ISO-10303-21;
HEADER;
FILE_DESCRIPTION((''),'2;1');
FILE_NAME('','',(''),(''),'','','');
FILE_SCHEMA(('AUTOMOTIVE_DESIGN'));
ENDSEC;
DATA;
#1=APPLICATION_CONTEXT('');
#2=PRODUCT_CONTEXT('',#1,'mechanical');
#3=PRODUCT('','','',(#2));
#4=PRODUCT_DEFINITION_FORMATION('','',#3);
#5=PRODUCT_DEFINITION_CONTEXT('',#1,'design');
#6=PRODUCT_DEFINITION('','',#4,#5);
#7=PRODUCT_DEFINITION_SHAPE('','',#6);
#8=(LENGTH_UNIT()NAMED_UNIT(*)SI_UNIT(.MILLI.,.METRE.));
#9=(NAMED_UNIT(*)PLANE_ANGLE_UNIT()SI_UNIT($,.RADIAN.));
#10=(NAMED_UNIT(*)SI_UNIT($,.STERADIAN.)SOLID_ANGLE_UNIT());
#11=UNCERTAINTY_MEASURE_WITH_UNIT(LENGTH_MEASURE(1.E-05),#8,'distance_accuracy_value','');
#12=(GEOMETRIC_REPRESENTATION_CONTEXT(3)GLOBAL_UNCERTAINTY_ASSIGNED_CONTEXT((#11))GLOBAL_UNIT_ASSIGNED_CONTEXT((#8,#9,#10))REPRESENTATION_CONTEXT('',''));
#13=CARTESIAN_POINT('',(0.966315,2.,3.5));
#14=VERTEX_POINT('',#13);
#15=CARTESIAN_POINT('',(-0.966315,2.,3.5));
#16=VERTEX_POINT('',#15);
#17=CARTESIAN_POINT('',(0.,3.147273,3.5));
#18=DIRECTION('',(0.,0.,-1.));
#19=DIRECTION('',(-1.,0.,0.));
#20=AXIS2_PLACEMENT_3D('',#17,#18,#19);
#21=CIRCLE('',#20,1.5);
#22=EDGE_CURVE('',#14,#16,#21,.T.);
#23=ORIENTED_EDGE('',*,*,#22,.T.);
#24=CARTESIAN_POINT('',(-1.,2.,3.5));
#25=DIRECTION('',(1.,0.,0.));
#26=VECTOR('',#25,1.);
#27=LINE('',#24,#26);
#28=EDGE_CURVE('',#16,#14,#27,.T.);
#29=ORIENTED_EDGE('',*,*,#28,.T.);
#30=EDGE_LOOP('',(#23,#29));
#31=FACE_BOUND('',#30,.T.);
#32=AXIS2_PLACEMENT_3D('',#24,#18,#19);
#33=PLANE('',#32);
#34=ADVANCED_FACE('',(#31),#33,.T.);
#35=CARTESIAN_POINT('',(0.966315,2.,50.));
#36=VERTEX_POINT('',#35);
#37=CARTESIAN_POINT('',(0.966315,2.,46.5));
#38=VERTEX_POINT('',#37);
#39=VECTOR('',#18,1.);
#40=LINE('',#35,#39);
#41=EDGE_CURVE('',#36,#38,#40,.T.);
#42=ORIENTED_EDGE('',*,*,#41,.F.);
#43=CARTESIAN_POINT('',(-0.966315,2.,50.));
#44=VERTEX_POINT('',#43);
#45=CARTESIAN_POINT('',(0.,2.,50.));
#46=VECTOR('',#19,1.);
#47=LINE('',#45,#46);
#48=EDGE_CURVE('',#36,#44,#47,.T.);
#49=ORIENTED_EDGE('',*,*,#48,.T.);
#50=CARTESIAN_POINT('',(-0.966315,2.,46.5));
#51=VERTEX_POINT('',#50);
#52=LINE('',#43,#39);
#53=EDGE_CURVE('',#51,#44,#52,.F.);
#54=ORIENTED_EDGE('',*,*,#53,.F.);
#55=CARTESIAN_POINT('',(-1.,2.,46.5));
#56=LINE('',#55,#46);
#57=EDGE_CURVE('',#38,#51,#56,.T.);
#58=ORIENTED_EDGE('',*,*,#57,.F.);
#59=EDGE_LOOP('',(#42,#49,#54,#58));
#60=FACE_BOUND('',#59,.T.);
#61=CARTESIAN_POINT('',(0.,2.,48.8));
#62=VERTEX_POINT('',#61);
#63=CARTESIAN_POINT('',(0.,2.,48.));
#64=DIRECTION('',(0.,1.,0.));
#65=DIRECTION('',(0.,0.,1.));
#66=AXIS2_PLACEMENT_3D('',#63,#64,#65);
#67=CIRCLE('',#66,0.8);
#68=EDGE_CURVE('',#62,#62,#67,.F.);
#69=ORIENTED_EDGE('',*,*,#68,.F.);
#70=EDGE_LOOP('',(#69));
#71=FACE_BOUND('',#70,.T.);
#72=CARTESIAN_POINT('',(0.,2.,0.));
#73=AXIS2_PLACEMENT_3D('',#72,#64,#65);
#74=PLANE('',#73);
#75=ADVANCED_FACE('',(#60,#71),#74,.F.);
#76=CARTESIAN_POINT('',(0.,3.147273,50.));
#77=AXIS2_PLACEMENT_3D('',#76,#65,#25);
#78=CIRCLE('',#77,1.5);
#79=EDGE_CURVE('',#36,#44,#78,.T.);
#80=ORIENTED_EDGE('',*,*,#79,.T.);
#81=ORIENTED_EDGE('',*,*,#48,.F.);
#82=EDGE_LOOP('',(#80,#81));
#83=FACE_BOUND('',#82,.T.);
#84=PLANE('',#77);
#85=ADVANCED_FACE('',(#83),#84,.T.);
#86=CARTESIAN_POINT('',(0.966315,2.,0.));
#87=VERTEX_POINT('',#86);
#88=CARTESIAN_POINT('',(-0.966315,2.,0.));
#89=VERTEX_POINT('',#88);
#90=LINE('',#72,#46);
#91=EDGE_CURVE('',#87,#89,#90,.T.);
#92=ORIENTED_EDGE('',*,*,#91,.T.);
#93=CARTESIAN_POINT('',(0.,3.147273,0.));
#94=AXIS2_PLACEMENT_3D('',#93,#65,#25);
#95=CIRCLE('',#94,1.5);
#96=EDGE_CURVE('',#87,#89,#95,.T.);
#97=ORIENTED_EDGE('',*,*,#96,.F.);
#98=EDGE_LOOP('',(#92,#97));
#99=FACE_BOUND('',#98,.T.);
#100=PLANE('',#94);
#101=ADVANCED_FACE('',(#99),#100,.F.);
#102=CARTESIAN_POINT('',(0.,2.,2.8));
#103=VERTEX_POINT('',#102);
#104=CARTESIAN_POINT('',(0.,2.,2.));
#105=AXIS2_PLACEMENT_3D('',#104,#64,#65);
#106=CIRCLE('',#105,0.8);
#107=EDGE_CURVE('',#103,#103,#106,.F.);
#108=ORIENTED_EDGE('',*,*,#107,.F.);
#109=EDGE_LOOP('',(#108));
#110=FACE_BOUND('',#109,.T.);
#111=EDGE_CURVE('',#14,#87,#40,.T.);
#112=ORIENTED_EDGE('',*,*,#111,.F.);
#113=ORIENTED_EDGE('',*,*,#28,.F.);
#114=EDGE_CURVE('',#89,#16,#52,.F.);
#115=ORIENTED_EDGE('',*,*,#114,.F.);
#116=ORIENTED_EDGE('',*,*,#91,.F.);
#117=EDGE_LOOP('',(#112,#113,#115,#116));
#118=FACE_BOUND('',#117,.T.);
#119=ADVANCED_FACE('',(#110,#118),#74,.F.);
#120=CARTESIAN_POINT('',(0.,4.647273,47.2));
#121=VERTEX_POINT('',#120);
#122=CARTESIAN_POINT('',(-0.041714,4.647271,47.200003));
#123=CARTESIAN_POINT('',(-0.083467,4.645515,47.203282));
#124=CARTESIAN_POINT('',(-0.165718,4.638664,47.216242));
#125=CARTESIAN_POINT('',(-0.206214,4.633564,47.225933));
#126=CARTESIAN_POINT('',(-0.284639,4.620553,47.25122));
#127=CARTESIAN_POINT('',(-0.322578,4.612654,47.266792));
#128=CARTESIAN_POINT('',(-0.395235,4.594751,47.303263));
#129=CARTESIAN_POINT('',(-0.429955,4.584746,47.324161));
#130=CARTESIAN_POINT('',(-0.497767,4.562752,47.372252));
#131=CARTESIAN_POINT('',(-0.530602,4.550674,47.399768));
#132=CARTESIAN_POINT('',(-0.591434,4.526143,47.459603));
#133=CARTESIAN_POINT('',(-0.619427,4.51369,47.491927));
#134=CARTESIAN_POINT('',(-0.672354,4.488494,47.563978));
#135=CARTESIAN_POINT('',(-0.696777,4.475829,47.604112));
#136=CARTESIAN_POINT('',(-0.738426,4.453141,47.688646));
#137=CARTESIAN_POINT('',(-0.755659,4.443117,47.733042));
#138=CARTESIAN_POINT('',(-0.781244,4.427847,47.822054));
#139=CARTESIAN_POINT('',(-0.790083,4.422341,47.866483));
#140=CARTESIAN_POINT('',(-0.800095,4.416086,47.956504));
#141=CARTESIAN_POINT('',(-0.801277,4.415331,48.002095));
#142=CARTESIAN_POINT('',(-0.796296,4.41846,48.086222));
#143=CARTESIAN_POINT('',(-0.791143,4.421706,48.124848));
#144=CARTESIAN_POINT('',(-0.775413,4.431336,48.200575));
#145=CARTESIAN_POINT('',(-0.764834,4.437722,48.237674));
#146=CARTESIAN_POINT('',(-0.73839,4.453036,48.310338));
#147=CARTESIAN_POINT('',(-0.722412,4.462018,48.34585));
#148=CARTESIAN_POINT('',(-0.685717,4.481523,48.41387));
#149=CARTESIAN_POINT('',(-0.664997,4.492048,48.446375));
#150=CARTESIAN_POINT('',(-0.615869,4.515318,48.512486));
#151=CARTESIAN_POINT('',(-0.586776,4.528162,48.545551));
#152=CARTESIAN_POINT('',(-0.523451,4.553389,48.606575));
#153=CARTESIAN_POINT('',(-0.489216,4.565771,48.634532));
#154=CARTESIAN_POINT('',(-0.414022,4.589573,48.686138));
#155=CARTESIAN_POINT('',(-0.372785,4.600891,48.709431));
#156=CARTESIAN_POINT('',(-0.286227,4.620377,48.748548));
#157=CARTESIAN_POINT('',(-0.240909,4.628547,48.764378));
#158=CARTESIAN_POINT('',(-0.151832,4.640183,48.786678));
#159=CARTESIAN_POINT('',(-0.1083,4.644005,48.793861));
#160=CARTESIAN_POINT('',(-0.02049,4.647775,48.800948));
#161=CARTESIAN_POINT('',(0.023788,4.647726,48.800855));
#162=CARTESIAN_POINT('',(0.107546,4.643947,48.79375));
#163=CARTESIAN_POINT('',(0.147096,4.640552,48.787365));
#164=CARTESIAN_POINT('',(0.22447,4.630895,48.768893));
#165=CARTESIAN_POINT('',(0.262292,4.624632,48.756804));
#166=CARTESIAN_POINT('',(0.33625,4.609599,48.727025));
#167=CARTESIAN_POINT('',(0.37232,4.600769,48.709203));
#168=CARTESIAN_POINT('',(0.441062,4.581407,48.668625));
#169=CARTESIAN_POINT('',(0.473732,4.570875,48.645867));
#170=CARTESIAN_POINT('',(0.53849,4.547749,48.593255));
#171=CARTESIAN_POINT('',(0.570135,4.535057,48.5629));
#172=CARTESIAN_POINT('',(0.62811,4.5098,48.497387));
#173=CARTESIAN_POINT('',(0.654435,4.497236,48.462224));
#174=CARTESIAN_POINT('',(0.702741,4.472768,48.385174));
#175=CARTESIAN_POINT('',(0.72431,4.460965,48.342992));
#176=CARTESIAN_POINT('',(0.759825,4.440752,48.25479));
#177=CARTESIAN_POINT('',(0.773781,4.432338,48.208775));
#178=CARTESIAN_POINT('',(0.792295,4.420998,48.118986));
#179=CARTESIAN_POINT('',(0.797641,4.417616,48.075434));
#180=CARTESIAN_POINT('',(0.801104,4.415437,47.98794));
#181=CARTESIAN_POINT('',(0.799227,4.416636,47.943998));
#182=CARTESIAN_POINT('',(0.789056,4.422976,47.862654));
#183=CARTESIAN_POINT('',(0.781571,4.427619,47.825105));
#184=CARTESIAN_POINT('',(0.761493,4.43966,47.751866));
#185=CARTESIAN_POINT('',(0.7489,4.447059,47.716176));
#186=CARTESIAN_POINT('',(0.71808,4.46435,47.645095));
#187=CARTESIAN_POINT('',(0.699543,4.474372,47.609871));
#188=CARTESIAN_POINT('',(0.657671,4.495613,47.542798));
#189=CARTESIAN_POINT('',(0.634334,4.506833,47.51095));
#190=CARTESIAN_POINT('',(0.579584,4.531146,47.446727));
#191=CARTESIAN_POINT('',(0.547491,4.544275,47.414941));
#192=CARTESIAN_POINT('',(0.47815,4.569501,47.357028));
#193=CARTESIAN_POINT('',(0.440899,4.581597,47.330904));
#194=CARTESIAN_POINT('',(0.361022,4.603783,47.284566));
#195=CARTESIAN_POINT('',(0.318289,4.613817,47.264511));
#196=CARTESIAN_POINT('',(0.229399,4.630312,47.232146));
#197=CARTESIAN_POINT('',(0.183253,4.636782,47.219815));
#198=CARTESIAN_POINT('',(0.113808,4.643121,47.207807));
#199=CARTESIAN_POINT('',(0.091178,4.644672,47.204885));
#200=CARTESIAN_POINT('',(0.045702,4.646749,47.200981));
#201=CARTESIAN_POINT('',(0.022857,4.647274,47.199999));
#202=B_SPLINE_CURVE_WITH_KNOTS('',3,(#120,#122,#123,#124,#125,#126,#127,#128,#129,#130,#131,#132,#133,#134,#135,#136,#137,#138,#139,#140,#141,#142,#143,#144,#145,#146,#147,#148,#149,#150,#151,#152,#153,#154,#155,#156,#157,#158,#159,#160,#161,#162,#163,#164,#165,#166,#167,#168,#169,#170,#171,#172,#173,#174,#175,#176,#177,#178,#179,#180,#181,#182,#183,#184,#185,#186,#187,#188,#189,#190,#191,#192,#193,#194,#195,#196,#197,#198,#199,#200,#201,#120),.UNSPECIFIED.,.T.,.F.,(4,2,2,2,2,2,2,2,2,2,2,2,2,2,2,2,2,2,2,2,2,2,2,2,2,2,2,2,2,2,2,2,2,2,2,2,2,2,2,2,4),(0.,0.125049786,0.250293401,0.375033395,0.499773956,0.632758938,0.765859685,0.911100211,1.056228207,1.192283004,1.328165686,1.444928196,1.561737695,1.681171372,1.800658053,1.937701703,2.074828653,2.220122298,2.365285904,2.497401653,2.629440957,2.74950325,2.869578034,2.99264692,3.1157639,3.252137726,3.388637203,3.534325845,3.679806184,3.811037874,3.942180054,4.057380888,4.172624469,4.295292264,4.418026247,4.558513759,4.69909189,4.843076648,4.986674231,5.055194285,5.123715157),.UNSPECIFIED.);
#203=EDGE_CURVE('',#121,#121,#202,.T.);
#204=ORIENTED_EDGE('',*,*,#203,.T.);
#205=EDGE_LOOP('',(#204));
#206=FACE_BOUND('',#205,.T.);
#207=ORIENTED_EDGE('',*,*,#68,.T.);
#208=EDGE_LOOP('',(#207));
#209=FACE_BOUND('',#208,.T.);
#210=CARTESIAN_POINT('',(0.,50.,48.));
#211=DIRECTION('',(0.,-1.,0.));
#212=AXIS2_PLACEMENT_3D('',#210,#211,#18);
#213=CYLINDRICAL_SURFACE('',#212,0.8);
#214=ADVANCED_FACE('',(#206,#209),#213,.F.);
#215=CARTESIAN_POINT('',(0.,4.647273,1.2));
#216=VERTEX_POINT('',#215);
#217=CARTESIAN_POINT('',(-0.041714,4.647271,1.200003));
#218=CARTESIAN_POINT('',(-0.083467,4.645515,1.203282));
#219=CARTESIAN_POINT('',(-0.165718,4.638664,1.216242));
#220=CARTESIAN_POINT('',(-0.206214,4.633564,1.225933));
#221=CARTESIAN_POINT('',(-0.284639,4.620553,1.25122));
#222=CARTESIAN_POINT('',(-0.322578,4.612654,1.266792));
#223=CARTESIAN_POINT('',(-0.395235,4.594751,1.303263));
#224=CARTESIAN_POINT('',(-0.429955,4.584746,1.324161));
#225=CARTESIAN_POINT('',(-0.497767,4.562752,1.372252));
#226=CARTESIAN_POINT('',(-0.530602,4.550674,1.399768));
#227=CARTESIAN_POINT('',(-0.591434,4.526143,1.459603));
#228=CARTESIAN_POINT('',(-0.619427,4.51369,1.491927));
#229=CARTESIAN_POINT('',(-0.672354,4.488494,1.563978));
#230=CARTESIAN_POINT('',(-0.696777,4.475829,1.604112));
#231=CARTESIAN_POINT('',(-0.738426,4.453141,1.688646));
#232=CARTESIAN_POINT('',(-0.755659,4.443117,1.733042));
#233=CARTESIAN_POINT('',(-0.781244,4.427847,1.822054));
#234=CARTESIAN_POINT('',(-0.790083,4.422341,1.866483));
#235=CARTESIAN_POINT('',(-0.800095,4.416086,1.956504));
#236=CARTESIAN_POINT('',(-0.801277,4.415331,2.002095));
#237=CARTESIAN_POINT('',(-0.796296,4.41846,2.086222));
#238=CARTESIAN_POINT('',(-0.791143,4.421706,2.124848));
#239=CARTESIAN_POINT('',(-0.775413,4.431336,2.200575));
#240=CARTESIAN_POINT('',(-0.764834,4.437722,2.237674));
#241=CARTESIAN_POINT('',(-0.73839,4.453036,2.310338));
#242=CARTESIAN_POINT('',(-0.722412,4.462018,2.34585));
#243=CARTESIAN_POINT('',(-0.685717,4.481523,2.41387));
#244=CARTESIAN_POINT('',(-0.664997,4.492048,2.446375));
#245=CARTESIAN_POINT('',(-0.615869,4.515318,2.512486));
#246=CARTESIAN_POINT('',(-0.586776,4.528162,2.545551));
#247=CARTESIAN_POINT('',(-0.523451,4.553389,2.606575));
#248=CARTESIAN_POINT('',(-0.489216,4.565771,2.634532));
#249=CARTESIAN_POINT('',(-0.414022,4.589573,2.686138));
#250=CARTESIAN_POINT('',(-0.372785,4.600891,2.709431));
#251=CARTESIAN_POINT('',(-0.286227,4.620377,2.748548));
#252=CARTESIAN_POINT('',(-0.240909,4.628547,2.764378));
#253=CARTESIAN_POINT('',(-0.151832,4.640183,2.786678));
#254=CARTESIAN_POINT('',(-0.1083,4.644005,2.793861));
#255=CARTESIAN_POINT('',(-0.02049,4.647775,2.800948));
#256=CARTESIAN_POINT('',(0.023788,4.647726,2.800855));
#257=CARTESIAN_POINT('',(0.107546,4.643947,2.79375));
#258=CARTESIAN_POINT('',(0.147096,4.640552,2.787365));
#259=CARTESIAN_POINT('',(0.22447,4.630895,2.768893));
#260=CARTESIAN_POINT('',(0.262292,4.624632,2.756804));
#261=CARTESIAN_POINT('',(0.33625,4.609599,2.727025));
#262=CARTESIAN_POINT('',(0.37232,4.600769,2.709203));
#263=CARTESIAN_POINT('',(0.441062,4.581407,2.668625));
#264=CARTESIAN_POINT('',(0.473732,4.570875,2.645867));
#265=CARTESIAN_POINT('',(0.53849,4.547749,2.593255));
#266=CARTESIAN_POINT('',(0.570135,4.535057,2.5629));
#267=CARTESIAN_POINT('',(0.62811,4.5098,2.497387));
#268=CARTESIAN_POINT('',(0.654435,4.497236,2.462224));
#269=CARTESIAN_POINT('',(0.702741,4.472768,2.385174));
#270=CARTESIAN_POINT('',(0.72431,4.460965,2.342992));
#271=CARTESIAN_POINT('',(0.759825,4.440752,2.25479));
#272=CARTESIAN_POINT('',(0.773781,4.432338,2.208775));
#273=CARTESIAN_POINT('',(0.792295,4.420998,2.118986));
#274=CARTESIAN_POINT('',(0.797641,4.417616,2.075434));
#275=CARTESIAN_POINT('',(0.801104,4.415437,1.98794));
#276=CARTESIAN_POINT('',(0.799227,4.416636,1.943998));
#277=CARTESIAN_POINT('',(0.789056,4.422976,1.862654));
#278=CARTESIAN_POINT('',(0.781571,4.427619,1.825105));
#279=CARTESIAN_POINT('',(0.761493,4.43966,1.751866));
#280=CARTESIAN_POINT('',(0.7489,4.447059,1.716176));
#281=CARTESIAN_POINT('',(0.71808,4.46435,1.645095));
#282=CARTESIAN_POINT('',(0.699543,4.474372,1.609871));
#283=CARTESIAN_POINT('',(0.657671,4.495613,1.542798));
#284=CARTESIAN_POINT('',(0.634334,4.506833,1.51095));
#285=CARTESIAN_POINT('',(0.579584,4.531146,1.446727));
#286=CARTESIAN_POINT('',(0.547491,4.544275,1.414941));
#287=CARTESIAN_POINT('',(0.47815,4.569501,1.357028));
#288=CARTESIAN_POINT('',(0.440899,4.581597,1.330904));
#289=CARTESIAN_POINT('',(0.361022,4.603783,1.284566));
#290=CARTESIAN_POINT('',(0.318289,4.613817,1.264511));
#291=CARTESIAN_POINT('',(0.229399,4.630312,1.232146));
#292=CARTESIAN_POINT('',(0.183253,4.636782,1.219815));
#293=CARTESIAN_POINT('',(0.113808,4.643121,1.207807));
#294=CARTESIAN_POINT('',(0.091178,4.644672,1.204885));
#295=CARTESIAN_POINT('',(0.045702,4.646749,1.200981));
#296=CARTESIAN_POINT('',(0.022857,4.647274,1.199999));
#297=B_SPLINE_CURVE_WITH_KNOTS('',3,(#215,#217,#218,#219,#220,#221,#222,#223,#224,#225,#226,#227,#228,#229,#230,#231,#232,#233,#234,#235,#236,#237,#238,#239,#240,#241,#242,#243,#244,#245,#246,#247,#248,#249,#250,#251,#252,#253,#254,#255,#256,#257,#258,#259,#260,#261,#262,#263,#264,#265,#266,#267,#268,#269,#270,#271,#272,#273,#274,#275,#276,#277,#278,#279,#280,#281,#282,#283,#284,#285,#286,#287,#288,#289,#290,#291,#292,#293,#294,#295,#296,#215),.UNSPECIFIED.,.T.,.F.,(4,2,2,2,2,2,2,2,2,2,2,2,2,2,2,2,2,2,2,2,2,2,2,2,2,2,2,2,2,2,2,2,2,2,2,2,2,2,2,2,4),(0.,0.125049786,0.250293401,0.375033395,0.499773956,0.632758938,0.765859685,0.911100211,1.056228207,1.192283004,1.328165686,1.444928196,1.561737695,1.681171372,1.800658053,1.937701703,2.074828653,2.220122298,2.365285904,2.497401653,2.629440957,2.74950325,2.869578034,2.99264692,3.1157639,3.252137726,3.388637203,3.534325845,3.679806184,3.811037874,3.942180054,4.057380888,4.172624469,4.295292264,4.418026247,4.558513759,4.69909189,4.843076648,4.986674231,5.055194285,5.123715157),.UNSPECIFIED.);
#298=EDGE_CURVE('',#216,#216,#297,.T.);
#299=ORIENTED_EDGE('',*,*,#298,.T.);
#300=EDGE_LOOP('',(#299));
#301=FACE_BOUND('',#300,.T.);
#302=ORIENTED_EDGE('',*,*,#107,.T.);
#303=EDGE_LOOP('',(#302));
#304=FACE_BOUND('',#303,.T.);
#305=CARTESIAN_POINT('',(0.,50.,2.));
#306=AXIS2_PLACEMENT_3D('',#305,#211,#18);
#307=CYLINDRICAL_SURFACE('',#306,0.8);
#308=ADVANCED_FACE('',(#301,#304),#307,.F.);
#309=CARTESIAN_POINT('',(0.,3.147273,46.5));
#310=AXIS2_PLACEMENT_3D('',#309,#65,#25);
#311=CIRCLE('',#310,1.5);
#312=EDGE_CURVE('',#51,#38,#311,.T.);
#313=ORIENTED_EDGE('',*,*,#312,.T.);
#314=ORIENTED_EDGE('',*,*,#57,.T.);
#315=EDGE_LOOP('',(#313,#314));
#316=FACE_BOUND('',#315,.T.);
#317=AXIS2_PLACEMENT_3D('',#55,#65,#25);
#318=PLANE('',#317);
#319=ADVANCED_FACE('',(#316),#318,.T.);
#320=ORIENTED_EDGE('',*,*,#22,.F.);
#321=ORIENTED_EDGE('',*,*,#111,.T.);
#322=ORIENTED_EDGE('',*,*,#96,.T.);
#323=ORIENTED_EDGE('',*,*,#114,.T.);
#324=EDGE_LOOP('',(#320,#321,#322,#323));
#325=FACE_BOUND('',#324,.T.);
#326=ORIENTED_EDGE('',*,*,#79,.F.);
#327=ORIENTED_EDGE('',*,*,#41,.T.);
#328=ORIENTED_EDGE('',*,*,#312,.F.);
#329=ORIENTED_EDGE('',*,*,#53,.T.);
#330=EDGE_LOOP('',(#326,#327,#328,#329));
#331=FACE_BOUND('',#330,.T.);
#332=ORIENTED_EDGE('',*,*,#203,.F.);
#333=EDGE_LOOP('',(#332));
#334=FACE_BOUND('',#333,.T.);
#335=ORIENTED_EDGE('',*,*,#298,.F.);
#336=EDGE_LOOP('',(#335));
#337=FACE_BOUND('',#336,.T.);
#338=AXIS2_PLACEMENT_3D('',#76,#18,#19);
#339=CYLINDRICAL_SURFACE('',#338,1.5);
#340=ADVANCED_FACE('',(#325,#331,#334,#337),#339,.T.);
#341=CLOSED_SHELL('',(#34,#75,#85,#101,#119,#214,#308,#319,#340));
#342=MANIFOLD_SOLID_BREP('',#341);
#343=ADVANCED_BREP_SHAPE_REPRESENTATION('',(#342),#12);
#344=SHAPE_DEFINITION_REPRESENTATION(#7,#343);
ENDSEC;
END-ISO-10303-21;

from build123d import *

# Parameters (mm, degrees)
SKETCH1_R               = 1.5
BOSS_EXTRUDE1_DEPTH     = 50
CUT_EXTRUDE1_DEPTH      = 2
CUT_EXTRUDE1_DEPTH_BACK = 50
SKETCH3_W               = 2
SKETCH3_H               = 4.5
CUT_EXTRUDE2_DEPTH      = 50
CUT_EXTRUDE2_DEPTH_BACK = 50
SKETCH4_R               = 0.8


with BuildPart() as part:
    # Sketch1 → Boss-Extrude1 (new body)
    with BuildSketch(Plane.XY):
        with Locations((0, 3.147273027)):
            Circle(SKETCH1_R)
    extrude(amount=BOSS_EXTRUDE1_DEPTH)

    # Sketch3 → Cut-Extrude1 (cut, two sides: drawn at the far end of the back side and taken through both)
    with BuildSketch(Plane(origin=(0, 0, 0), x_dir=(1, 0, 0), z_dir=(0, 1, 0)).offset(-CUT_EXTRUDE1_DEPTH_BACK)):
        with Locations((0, -48.75)):
            Rectangle(SKETCH3_W, SKETCH3_H)
        with Locations((0, -1.25)):
            Rectangle(SKETCH3_W, SKETCH3_H)
    extrude(amount=CUT_EXTRUDE1_DEPTH + CUT_EXTRUDE1_DEPTH_BACK, mode=Mode.SUBTRACT)

    # Sketch4 → Cut-Extrude2 (cut, two sides: drawn at the far end of the back side and taken through both)
    with BuildSketch(Plane(origin=(0, 0, 0), x_dir=(1, 0, 0), z_dir=(0, 1, 0)).offset(-CUT_EXTRUDE2_DEPTH_BACK)):
        with Locations(Location((0, -48, 0), (0, 0, 90))):
            Circle(SKETCH4_R)
        with Locations(Location((0, -2, 0), (0, 0, 90))):
            Circle(SKETCH4_R)
    extrude(amount=CUT_EXTRUDE2_DEPTH + CUT_EXTRUDE2_DEPTH_BACK, mode=Mode.SUBTRACT)


solid = part.part
